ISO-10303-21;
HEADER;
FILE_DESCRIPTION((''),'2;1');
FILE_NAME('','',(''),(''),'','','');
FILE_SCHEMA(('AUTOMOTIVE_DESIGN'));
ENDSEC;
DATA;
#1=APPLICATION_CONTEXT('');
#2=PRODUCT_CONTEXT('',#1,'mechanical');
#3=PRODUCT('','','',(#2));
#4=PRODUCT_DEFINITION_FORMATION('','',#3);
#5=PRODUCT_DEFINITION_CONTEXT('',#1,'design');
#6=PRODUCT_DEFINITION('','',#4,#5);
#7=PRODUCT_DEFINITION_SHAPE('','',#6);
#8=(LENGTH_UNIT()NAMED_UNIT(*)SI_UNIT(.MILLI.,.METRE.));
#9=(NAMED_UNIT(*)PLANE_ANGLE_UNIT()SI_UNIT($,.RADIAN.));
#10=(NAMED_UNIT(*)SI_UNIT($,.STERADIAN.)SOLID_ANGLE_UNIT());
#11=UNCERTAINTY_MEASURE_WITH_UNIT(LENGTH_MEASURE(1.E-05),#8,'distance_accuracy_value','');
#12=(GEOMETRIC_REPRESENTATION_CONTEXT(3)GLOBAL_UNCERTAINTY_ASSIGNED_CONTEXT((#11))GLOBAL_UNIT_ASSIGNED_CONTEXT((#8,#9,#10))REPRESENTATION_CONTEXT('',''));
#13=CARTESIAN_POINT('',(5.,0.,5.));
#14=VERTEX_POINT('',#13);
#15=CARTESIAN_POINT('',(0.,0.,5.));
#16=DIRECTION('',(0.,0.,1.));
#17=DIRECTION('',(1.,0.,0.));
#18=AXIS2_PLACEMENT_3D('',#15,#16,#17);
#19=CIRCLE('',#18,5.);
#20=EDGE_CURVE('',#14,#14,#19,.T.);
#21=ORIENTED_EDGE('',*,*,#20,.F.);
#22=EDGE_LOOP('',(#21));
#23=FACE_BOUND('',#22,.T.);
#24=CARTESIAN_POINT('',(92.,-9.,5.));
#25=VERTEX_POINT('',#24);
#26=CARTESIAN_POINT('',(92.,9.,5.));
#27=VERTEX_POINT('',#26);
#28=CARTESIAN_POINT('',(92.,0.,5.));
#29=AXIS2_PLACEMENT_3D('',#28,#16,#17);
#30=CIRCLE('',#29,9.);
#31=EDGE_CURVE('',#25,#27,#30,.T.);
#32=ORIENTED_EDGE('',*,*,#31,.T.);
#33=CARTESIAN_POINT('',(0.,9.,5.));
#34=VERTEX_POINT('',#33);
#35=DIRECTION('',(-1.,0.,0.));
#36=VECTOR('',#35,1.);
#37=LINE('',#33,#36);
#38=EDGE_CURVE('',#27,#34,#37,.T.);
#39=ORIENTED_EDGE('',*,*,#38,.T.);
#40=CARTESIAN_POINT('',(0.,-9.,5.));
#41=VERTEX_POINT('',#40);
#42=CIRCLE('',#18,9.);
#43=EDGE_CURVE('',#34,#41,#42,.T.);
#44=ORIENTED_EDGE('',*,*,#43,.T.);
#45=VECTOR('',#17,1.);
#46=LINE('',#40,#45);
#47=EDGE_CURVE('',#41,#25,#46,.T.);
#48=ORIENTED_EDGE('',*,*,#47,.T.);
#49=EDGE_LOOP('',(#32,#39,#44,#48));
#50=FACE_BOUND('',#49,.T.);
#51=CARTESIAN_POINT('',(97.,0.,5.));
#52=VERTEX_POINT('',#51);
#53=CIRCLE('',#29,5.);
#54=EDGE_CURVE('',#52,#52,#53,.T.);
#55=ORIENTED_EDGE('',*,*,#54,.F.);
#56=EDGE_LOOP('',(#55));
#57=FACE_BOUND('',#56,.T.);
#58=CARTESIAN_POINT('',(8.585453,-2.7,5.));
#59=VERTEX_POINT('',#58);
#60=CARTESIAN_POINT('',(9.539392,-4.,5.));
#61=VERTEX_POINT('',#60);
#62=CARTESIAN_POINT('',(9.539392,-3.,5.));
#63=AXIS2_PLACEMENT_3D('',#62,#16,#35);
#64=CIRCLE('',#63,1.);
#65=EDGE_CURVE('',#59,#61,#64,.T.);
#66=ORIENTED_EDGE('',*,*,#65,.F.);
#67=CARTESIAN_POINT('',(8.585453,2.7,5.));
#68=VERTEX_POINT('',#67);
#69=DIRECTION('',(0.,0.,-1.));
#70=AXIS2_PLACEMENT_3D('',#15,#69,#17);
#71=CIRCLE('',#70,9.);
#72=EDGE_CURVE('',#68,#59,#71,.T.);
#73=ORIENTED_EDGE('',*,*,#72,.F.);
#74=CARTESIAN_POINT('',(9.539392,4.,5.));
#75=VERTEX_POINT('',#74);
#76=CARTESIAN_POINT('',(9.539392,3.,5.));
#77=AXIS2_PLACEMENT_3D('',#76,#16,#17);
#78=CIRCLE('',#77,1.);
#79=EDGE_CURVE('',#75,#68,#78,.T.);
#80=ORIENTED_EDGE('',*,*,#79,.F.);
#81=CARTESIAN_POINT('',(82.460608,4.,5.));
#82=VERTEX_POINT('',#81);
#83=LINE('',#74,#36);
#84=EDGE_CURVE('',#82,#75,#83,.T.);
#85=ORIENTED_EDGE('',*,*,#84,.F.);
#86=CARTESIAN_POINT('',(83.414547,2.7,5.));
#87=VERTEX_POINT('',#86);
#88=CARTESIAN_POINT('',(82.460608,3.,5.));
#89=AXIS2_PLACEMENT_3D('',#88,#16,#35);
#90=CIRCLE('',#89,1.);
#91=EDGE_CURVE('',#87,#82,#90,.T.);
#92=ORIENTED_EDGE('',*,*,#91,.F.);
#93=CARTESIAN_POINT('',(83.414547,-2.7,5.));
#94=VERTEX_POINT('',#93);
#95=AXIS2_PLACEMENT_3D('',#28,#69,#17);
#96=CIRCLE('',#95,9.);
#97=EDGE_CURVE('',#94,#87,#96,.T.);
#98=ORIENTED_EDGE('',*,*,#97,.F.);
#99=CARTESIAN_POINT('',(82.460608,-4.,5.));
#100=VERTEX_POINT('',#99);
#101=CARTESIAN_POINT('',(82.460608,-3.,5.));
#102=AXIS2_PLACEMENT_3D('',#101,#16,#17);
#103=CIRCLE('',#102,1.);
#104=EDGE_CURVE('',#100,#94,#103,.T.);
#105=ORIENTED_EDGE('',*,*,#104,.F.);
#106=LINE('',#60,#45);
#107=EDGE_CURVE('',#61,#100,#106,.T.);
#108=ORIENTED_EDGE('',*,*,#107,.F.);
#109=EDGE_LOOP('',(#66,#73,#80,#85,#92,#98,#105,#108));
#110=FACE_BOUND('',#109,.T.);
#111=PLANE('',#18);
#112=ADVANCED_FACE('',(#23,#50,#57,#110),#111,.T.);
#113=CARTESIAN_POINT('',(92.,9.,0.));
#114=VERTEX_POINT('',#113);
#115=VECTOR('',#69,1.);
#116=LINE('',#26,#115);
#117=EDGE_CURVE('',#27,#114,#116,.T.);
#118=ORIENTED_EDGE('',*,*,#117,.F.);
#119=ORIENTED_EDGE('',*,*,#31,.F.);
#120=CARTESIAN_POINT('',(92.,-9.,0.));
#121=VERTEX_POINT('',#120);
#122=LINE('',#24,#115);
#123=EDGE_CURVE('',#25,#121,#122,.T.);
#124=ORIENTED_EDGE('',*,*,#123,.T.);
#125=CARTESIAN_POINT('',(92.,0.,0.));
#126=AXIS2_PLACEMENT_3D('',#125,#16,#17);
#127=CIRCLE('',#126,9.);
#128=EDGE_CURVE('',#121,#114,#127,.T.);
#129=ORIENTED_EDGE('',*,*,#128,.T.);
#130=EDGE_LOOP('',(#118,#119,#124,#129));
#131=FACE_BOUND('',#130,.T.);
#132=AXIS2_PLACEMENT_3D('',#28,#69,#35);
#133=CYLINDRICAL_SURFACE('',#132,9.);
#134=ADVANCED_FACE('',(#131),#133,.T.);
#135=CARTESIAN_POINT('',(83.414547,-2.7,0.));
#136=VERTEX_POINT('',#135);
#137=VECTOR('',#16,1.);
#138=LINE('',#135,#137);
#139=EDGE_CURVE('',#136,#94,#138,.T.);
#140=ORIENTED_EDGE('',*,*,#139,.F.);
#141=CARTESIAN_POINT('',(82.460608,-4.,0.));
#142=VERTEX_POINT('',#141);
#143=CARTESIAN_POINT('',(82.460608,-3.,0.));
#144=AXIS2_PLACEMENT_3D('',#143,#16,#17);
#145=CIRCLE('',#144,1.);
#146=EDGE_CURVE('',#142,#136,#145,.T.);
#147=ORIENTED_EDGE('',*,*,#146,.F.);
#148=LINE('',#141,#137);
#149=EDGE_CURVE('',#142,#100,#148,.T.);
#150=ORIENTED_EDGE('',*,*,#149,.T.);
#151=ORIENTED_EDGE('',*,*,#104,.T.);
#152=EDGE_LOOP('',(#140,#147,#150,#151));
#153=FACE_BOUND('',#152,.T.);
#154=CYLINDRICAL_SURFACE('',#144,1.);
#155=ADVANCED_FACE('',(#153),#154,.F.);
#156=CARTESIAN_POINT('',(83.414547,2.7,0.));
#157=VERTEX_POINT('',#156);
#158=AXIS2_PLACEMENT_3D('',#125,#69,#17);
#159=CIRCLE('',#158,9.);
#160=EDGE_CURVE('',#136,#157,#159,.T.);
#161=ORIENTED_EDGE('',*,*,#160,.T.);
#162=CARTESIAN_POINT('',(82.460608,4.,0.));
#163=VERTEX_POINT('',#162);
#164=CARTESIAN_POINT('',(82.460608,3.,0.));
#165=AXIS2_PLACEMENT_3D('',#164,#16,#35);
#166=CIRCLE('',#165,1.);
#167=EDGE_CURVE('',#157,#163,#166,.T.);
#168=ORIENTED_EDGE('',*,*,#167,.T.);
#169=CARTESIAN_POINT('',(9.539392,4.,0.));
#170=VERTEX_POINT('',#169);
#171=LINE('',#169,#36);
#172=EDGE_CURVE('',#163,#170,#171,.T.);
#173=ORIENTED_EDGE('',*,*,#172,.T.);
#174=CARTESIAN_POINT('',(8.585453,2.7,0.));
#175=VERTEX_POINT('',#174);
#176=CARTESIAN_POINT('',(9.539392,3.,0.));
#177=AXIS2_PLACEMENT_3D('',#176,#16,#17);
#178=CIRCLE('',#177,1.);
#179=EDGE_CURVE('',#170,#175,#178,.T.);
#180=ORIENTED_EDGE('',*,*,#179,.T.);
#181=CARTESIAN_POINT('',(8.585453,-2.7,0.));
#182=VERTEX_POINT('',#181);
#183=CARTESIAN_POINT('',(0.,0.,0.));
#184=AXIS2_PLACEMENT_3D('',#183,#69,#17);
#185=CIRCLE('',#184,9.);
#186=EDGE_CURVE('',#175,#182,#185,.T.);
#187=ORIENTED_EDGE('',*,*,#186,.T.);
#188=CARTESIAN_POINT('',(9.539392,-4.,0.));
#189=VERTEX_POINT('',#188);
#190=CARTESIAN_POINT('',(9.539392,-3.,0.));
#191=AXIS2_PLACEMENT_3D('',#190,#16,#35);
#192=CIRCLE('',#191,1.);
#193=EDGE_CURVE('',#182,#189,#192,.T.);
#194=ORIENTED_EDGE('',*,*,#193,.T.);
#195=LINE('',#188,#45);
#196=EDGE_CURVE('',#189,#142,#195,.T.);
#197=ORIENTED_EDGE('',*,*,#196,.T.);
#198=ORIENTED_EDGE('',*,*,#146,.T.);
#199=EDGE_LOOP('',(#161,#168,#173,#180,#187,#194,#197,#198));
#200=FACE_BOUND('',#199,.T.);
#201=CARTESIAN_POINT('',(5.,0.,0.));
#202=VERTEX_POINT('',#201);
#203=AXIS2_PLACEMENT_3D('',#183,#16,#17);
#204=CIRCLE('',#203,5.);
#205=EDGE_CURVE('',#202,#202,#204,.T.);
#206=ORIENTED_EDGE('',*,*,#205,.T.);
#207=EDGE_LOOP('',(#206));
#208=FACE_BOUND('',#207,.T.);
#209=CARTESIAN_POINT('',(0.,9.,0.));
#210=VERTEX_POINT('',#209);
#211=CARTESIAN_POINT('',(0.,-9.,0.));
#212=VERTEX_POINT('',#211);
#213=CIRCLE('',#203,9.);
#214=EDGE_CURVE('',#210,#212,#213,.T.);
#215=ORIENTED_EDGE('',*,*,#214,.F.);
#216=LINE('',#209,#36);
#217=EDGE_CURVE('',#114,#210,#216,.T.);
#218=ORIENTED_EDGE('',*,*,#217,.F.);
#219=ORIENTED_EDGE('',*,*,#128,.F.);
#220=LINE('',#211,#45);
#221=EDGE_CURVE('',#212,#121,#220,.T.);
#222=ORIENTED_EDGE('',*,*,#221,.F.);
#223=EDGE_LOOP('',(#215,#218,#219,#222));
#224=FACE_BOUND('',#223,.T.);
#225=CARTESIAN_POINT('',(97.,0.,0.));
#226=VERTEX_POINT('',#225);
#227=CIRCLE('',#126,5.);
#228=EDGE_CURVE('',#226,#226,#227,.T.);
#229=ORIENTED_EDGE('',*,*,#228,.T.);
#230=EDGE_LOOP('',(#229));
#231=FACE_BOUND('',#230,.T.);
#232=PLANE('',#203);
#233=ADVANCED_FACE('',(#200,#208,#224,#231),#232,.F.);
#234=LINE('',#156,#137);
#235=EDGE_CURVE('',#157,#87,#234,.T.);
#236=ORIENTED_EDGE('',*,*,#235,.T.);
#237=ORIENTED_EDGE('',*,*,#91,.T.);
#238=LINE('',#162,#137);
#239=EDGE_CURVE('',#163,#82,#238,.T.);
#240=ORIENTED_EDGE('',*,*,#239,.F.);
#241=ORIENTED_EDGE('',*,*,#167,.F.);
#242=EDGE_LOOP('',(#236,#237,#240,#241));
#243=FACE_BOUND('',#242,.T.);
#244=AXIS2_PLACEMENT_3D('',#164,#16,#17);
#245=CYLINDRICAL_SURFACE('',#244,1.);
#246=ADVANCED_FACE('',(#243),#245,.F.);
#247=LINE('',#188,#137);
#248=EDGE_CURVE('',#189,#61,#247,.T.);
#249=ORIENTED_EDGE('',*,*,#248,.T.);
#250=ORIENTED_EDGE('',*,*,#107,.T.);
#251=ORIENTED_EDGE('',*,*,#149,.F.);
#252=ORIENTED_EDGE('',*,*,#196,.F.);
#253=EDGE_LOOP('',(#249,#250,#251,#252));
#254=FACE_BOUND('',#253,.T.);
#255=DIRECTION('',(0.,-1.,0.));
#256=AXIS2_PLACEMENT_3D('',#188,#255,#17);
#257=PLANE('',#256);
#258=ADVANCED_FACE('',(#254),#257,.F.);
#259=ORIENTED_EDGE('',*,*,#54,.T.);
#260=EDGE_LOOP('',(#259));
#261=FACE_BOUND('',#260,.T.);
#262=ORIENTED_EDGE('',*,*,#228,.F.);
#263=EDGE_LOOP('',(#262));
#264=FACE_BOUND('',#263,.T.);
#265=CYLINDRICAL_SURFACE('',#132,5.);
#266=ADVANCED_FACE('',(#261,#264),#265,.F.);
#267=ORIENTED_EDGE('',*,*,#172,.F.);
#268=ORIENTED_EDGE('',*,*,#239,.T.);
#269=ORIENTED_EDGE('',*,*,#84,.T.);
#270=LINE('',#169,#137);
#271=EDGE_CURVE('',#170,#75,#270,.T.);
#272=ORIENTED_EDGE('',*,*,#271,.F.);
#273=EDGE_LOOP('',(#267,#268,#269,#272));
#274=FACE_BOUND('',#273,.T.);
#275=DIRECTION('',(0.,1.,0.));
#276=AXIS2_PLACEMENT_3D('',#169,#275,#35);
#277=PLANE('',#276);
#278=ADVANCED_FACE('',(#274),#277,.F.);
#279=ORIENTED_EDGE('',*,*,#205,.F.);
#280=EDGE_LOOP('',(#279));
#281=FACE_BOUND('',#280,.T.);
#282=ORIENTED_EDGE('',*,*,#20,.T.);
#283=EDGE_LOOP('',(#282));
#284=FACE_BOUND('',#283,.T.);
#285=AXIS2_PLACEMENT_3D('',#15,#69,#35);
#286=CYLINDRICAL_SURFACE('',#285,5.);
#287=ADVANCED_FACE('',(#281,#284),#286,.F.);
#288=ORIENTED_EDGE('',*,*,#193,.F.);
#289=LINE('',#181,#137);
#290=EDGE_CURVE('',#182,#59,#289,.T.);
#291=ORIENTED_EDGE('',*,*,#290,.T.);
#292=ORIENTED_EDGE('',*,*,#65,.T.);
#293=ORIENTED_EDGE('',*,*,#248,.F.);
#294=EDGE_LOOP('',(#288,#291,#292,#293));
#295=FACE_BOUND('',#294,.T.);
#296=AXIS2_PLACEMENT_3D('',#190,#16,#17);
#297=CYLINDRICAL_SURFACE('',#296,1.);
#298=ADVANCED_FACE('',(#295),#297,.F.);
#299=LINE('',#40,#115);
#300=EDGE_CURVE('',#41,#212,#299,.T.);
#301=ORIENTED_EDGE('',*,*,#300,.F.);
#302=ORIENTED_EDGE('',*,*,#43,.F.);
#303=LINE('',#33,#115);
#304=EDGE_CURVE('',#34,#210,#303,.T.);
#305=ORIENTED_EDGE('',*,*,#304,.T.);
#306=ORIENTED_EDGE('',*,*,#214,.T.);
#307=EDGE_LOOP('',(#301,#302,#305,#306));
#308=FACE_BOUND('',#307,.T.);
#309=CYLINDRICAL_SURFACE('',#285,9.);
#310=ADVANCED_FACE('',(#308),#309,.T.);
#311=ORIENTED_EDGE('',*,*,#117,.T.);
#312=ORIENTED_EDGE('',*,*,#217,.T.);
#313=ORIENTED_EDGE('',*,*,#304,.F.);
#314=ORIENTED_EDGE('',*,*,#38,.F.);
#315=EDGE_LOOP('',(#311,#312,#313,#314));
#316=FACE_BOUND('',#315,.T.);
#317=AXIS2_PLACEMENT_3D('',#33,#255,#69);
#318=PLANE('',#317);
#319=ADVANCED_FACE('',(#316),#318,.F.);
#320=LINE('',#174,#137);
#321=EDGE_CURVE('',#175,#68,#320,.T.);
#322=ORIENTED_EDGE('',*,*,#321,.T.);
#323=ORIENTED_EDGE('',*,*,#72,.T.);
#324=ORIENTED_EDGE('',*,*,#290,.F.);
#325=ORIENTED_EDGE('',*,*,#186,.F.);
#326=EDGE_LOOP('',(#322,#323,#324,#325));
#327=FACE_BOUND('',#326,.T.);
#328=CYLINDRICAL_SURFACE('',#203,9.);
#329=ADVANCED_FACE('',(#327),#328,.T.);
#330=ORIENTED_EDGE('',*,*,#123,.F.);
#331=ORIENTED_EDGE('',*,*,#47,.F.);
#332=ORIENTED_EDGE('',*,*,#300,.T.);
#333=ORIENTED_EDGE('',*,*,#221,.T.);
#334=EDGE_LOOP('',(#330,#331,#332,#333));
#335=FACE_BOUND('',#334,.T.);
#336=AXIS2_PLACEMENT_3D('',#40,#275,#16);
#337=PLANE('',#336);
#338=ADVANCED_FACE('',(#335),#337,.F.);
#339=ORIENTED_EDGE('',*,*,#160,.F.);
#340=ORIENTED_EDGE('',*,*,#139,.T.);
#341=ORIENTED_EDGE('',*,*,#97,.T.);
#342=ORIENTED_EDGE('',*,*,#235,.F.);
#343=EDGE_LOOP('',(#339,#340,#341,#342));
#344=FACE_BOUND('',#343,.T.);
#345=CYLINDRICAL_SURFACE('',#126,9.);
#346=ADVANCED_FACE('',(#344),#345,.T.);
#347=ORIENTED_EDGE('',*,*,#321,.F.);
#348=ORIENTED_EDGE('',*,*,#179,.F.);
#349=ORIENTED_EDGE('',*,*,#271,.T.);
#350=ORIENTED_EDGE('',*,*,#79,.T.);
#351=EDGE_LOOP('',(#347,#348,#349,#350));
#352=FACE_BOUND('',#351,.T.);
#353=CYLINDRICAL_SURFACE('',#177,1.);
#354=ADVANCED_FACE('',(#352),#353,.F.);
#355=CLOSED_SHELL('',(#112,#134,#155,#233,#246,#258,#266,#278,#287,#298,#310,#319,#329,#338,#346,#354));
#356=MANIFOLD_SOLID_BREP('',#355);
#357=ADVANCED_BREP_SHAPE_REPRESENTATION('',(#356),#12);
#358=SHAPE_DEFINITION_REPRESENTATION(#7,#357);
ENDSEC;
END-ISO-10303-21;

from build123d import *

# Parameters (mm, degrees)
SKETCH_1_R          = 5
EXTRUDE_1_DEPTH     = 5
CUT_EXTRUDE_1_DEPTH = 102.523396318


with BuildPart() as part:
    # 草图1 → 凸台-拉伸1 (new body)
    with BuildSketch(Plane.XY):
        with BuildLine():
            Line((0, 9), (92, 9))
            ThreePointArc((92, 9), (101, 0), (92, -9))
            Line((92, -9), (0, -9))
            ThreePointArc((0, -9), (-9, 0), (0, 9))
        make_face()
        Circle(SKETCH_1_R, mode=Mode.SUBTRACT)
        with Locations((92, 0)):
            Circle(SKETCH_1_R, mode=Mode.SUBTRACT)
    extrude(amount=EXTRUDE_1_DEPTH)

    # 草图2 → 切除-拉伸1 (cut, through all)
    with BuildSketch(Plane.XY.offset(5)):
        with BuildLine():
            Line((9.539392014, 4), (82.460607986, 4))
            ThreePointArc((82.460607986, 4), (83.266833761, 3.591607978), (83.414547187, 2.7))
            ThreePointArc((83.414547187, 2.7), (83, 0), (83.414547187, -2.7))
            ThreePointArc((83.414547187, -2.7), (83.266833761, -3.591607978), (82.460607986, -4))
            Line((82.460607986, -4), (9.539392014, -4))
            ThreePointArc((9.539392014, -4), (8.733166239, -3.591607978), (8.585452813, -2.7))
            ThreePointArc((8.585452813, -2.7), (9, 0), (8.585452813, 2.7))
            ThreePointArc((8.585452813, 2.7), (8.733166239, 3.591607978), (9.539392014, 4))
        make_face()
    extrude(amount=-CUT_EXTRUDE_1_DEPTH, mode=Mode.SUBTRACT)


solid = part.part
